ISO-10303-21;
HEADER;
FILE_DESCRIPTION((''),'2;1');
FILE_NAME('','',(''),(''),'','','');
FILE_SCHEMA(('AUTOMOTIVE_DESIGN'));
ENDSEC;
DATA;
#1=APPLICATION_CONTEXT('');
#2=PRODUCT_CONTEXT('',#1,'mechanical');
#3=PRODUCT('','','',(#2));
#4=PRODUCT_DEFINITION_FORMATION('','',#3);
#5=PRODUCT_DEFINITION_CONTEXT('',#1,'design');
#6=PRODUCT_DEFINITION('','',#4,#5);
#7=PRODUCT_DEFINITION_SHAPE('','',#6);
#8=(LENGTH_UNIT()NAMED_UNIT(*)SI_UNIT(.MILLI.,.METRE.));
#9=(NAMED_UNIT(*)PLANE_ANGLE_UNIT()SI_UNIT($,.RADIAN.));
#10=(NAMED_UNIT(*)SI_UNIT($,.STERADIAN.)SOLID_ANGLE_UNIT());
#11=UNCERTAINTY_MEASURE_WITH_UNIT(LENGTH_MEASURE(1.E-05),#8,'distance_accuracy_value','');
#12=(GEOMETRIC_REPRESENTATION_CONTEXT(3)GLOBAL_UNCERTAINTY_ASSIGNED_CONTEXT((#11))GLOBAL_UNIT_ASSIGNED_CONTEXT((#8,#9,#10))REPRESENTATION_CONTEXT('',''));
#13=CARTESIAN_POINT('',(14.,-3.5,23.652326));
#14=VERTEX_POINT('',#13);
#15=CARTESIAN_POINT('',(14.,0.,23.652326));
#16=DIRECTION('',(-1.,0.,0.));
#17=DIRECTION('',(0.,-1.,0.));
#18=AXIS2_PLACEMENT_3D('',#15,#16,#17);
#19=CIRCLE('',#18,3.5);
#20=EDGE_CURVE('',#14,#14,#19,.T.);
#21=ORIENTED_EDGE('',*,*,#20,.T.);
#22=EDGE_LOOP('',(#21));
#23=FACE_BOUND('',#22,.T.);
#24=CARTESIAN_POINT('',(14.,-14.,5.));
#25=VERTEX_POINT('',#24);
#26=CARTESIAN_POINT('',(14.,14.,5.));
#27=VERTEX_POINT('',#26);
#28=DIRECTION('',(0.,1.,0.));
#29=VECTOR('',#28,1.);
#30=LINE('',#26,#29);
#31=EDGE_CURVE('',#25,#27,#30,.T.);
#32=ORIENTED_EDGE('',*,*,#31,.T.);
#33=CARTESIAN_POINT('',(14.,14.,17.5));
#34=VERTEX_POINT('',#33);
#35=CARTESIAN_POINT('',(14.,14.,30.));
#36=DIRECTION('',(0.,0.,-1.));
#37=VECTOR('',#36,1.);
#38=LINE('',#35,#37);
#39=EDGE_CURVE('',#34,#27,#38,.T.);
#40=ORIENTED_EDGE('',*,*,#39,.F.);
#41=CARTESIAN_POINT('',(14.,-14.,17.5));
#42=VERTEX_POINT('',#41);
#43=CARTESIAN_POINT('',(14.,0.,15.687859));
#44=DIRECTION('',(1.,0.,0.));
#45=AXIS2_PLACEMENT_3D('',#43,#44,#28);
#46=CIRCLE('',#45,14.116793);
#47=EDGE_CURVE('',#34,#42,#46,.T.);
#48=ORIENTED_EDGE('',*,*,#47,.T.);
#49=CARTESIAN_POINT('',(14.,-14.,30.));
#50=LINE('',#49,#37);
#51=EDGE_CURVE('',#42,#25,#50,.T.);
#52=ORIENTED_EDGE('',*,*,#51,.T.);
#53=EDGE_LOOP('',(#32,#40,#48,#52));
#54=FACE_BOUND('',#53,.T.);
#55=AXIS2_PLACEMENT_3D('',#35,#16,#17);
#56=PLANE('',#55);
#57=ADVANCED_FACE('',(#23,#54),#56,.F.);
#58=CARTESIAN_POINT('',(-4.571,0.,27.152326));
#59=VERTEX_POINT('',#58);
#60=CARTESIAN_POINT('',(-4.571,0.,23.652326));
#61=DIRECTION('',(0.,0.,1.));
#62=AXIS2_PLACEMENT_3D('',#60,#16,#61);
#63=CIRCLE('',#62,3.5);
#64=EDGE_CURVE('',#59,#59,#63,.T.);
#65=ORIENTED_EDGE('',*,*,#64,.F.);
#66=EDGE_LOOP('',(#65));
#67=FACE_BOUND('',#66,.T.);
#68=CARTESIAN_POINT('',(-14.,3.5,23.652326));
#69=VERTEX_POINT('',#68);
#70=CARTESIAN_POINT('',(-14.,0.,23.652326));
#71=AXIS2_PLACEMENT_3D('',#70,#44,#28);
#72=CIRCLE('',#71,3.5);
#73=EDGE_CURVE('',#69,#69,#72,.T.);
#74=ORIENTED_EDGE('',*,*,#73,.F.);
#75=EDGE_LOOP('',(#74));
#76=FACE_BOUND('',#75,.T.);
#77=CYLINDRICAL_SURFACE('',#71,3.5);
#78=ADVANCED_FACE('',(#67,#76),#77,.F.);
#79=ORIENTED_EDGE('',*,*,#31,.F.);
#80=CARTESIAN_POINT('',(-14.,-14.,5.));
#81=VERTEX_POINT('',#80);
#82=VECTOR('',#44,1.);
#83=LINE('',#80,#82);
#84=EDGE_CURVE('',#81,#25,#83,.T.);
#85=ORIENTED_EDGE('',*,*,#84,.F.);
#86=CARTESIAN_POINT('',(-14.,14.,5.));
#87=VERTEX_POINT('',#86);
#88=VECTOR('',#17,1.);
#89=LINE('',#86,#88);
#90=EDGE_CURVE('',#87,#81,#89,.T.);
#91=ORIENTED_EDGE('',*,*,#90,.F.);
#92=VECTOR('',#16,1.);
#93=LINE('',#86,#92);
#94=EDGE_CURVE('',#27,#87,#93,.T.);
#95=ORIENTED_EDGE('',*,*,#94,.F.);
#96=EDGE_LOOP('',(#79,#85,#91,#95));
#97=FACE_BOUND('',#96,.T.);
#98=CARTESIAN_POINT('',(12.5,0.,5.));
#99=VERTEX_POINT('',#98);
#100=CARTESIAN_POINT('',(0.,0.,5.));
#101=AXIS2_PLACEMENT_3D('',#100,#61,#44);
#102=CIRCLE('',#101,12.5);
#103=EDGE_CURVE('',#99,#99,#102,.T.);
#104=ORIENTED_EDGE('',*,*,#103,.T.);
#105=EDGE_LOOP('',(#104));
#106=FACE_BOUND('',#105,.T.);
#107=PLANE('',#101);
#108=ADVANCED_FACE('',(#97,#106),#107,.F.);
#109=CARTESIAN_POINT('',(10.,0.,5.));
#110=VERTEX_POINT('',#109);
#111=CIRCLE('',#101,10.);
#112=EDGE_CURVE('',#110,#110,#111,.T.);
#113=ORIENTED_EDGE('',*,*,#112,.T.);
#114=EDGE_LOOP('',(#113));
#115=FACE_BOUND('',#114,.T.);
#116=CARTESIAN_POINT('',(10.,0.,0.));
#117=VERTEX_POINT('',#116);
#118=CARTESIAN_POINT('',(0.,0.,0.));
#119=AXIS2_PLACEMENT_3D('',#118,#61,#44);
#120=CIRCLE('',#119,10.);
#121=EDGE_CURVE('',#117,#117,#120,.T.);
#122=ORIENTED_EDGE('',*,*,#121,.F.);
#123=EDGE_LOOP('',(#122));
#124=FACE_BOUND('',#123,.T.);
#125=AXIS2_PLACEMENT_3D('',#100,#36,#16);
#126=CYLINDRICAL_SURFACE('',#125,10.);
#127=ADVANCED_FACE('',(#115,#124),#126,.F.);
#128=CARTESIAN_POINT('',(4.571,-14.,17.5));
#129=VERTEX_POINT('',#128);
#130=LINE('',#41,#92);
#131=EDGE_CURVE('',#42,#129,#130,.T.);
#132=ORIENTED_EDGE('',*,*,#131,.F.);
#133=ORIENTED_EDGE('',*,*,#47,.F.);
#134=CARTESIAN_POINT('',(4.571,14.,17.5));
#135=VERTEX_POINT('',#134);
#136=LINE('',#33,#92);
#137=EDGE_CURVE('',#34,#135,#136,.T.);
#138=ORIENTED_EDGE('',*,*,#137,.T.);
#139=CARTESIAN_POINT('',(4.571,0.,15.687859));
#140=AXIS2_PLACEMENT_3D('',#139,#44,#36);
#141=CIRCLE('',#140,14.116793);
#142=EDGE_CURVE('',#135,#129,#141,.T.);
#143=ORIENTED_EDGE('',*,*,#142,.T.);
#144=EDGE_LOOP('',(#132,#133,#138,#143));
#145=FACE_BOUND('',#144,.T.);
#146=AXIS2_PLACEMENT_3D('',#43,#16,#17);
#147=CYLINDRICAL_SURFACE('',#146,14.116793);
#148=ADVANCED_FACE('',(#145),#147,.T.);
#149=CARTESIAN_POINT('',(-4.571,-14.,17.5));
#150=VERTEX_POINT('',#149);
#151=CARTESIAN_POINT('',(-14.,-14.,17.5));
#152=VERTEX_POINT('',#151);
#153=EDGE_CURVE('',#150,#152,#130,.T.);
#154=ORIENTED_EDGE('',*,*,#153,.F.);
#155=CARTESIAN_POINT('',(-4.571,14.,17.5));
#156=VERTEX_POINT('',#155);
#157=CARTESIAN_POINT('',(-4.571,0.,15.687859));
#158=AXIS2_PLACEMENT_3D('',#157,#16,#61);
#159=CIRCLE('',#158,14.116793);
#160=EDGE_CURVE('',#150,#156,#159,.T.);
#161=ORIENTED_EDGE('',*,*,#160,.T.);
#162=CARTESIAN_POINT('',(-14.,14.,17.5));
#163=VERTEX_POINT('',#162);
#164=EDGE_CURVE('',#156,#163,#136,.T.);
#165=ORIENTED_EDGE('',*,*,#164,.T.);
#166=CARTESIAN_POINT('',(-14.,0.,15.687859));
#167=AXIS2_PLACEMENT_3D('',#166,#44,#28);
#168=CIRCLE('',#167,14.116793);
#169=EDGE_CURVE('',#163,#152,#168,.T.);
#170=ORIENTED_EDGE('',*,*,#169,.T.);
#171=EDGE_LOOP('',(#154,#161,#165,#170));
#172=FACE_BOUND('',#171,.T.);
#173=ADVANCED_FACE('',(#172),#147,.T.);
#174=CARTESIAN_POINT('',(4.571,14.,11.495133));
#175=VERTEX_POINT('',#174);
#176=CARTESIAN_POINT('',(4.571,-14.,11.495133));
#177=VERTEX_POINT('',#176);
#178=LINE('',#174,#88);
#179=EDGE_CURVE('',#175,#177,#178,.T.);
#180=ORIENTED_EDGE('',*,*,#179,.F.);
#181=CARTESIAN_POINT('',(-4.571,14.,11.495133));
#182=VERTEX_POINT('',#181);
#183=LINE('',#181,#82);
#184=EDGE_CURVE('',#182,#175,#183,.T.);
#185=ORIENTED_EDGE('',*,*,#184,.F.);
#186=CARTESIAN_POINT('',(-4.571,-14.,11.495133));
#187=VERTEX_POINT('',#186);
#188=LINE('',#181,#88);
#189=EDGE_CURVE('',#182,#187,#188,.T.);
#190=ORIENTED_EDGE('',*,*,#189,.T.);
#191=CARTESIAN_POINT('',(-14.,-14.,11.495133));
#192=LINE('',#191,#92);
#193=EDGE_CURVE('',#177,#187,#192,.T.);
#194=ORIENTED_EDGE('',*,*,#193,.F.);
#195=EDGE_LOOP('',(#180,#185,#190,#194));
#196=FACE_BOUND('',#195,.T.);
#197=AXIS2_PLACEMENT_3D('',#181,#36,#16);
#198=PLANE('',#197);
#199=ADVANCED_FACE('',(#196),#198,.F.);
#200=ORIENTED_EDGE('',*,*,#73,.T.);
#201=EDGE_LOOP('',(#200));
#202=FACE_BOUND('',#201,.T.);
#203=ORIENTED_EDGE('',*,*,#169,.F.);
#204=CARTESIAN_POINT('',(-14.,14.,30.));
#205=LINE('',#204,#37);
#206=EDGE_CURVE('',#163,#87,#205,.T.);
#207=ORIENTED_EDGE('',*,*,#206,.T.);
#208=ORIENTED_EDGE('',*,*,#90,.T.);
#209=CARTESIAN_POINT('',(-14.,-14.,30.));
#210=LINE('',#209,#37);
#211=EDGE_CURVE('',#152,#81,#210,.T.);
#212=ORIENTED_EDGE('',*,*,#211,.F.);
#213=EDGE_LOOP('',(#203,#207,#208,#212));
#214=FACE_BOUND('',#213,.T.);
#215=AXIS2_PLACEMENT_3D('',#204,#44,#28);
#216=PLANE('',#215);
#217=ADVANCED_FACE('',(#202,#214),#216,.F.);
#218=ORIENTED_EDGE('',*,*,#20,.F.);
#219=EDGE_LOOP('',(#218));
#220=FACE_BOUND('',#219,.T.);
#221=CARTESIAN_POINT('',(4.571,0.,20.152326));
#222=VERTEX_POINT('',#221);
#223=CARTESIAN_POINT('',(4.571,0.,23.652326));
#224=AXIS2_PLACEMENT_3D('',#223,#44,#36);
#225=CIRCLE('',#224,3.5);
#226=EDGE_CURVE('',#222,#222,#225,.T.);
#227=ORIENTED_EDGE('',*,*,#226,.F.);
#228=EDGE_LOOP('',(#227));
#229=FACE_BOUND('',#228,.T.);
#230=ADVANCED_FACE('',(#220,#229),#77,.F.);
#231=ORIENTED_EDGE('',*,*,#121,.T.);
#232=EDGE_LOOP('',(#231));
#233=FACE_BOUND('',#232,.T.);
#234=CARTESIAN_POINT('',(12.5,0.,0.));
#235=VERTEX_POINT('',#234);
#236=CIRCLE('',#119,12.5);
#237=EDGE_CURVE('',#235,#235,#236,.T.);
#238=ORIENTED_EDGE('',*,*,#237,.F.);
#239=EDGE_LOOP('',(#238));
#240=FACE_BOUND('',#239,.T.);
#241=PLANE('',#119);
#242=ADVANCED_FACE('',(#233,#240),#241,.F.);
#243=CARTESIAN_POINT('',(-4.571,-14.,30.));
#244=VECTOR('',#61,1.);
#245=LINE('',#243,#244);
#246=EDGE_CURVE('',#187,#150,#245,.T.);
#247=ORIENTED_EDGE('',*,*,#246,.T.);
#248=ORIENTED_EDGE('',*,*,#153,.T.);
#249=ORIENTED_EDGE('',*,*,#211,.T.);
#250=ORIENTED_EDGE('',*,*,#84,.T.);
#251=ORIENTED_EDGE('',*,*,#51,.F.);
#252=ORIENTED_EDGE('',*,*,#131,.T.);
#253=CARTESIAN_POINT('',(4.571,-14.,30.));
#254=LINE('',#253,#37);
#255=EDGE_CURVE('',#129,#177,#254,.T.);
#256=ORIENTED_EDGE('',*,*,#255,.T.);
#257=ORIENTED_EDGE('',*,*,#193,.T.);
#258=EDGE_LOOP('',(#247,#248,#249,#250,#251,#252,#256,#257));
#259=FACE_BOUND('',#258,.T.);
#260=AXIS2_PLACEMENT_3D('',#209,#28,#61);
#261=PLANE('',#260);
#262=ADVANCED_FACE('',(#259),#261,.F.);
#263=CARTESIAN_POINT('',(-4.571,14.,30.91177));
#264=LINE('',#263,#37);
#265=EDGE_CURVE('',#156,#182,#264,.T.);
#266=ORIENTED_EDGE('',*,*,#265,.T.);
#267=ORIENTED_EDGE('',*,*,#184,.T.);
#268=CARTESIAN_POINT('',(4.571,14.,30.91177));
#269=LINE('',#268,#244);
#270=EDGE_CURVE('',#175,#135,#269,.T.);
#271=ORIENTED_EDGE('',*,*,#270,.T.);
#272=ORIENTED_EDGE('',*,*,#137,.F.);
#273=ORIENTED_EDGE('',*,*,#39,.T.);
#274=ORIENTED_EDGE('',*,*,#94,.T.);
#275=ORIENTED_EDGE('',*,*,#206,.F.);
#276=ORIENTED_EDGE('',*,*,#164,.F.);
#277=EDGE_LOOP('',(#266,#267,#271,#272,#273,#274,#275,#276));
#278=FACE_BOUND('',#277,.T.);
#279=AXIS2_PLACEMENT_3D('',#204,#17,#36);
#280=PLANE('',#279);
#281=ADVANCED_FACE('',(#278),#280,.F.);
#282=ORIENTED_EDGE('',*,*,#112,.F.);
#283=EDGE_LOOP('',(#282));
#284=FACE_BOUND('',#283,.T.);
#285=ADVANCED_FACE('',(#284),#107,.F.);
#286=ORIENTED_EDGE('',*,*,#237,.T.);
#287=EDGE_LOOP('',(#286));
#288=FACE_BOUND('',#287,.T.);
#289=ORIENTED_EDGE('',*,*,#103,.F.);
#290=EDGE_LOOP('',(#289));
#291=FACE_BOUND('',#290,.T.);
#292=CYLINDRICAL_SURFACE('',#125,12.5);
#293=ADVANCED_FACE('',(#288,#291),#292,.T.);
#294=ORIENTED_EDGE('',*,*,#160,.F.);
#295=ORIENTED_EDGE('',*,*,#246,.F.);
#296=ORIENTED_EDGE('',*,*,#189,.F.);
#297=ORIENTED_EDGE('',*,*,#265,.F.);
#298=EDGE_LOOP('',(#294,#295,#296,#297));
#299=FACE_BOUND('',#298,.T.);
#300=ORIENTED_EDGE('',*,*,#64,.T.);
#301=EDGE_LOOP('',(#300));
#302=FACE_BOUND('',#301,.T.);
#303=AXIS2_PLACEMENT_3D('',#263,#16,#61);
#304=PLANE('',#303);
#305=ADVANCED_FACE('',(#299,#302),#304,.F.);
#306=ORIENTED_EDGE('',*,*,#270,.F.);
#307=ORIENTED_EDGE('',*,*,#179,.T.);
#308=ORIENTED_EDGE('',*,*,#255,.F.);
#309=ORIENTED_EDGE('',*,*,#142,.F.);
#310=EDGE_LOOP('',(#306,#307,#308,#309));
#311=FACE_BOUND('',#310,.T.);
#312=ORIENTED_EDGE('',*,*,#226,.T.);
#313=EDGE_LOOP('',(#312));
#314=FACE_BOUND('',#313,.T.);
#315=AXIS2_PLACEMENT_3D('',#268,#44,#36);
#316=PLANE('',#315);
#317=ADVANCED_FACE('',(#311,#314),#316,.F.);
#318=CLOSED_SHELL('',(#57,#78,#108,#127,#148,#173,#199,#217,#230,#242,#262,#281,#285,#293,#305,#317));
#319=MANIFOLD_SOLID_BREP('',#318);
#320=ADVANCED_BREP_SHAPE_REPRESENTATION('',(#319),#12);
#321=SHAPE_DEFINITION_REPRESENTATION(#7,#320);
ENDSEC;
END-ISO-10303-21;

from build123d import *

# Parameters (mm, degrees)
SKETCH1_R               = 12.5
SKETCH1_R_2             = 10
BOSS_EXTRUDE1_DEPTH     = 5
SKETCH2_W               = 28
SKETCH2_H               = 28
BOSS_EXTRUDE2_DEPTH     = 25
CUT_EXTRUDE1_DEPTH      = 29
SKETCH7_W               = 9.14199999
SKETCH7_H               = 19.416637146
CUT_EXTRUDE2_DEPTH      = 1
CUT_EXTRUDE2_DEPTH_BACK = 29
SKETCH8_R               = 3.5
CUT_EXTRUDE3_DEPTH      = 1
CUT_EXTRUDE3_DEPTH_BACK = 29


with BuildPart() as part:
    # Sketch1 → Boss-Extrude1 (new body)
    with BuildSketch(Plane.XY):
        Circle(SKETCH1_R)
        Circle(SKETCH1_R_2, mode=Mode.SUBTRACT)
    extrude(amount=BOSS_EXTRUDE1_DEPTH)

    # Sketch2 → Boss-Extrude2 (add)
    with BuildSketch(Plane.XY.offset(5)):
        Rectangle(SKETCH2_W, SKETCH2_H)
    extrude(amount=BOSS_EXTRUDE2_DEPTH)

    # Sketch3 → Cut-Extrude1 (cut, through all)
    with BuildSketch(Plane.ZY.offset(14)):
        with BuildLine():
            Line((17.5, 14), (30, 14))
            Line((30, 14), (30, -14))
            Line((30, -14), (17.5, -14))
            ThreePointArc((17.5, -14), (29.804652609, 0), (17.5, 14))
        make_face()
    extrude(amount=-CUT_EXTRUDE1_DEPTH, mode=Mode.SUBTRACT)

    # Sketch7 → Cut-Extrude2 (cut, two sides)
    with BuildSketch(Plane.XZ.offset(14)) as cut_extrude2_sk:
        with Locations((0, 21.203451283)):
            Rectangle(SKETCH7_W, SKETCH7_H)
    extrude(amount=CUT_EXTRUDE2_DEPTH, mode=Mode.SUBTRACT)
    extrude(cut_extrude2_sk.sketch, amount=-CUT_EXTRUDE2_DEPTH_BACK, mode=Mode.SUBTRACT)

    # Sketch8 → Cut-Extrude3 (cut, two sides)
    with BuildSketch(Plane(origin=(14, 0, 0), x_dir=(0, 0, -1), z_dir=(1, 0, 0))) as cut_extrude3_sk:
        with Locations((-23.652326304, 0)):
            Circle(SKETCH8_R)
    extrude(amount=CUT_EXTRUDE3_DEPTH, mode=Mode.SUBTRACT)
    extrude(cut_extrude3_sk.sketch, amount=-CUT_EXTRUDE3_DEPTH_BACK, mode=Mode.SUBTRACT)


solid = part.part
